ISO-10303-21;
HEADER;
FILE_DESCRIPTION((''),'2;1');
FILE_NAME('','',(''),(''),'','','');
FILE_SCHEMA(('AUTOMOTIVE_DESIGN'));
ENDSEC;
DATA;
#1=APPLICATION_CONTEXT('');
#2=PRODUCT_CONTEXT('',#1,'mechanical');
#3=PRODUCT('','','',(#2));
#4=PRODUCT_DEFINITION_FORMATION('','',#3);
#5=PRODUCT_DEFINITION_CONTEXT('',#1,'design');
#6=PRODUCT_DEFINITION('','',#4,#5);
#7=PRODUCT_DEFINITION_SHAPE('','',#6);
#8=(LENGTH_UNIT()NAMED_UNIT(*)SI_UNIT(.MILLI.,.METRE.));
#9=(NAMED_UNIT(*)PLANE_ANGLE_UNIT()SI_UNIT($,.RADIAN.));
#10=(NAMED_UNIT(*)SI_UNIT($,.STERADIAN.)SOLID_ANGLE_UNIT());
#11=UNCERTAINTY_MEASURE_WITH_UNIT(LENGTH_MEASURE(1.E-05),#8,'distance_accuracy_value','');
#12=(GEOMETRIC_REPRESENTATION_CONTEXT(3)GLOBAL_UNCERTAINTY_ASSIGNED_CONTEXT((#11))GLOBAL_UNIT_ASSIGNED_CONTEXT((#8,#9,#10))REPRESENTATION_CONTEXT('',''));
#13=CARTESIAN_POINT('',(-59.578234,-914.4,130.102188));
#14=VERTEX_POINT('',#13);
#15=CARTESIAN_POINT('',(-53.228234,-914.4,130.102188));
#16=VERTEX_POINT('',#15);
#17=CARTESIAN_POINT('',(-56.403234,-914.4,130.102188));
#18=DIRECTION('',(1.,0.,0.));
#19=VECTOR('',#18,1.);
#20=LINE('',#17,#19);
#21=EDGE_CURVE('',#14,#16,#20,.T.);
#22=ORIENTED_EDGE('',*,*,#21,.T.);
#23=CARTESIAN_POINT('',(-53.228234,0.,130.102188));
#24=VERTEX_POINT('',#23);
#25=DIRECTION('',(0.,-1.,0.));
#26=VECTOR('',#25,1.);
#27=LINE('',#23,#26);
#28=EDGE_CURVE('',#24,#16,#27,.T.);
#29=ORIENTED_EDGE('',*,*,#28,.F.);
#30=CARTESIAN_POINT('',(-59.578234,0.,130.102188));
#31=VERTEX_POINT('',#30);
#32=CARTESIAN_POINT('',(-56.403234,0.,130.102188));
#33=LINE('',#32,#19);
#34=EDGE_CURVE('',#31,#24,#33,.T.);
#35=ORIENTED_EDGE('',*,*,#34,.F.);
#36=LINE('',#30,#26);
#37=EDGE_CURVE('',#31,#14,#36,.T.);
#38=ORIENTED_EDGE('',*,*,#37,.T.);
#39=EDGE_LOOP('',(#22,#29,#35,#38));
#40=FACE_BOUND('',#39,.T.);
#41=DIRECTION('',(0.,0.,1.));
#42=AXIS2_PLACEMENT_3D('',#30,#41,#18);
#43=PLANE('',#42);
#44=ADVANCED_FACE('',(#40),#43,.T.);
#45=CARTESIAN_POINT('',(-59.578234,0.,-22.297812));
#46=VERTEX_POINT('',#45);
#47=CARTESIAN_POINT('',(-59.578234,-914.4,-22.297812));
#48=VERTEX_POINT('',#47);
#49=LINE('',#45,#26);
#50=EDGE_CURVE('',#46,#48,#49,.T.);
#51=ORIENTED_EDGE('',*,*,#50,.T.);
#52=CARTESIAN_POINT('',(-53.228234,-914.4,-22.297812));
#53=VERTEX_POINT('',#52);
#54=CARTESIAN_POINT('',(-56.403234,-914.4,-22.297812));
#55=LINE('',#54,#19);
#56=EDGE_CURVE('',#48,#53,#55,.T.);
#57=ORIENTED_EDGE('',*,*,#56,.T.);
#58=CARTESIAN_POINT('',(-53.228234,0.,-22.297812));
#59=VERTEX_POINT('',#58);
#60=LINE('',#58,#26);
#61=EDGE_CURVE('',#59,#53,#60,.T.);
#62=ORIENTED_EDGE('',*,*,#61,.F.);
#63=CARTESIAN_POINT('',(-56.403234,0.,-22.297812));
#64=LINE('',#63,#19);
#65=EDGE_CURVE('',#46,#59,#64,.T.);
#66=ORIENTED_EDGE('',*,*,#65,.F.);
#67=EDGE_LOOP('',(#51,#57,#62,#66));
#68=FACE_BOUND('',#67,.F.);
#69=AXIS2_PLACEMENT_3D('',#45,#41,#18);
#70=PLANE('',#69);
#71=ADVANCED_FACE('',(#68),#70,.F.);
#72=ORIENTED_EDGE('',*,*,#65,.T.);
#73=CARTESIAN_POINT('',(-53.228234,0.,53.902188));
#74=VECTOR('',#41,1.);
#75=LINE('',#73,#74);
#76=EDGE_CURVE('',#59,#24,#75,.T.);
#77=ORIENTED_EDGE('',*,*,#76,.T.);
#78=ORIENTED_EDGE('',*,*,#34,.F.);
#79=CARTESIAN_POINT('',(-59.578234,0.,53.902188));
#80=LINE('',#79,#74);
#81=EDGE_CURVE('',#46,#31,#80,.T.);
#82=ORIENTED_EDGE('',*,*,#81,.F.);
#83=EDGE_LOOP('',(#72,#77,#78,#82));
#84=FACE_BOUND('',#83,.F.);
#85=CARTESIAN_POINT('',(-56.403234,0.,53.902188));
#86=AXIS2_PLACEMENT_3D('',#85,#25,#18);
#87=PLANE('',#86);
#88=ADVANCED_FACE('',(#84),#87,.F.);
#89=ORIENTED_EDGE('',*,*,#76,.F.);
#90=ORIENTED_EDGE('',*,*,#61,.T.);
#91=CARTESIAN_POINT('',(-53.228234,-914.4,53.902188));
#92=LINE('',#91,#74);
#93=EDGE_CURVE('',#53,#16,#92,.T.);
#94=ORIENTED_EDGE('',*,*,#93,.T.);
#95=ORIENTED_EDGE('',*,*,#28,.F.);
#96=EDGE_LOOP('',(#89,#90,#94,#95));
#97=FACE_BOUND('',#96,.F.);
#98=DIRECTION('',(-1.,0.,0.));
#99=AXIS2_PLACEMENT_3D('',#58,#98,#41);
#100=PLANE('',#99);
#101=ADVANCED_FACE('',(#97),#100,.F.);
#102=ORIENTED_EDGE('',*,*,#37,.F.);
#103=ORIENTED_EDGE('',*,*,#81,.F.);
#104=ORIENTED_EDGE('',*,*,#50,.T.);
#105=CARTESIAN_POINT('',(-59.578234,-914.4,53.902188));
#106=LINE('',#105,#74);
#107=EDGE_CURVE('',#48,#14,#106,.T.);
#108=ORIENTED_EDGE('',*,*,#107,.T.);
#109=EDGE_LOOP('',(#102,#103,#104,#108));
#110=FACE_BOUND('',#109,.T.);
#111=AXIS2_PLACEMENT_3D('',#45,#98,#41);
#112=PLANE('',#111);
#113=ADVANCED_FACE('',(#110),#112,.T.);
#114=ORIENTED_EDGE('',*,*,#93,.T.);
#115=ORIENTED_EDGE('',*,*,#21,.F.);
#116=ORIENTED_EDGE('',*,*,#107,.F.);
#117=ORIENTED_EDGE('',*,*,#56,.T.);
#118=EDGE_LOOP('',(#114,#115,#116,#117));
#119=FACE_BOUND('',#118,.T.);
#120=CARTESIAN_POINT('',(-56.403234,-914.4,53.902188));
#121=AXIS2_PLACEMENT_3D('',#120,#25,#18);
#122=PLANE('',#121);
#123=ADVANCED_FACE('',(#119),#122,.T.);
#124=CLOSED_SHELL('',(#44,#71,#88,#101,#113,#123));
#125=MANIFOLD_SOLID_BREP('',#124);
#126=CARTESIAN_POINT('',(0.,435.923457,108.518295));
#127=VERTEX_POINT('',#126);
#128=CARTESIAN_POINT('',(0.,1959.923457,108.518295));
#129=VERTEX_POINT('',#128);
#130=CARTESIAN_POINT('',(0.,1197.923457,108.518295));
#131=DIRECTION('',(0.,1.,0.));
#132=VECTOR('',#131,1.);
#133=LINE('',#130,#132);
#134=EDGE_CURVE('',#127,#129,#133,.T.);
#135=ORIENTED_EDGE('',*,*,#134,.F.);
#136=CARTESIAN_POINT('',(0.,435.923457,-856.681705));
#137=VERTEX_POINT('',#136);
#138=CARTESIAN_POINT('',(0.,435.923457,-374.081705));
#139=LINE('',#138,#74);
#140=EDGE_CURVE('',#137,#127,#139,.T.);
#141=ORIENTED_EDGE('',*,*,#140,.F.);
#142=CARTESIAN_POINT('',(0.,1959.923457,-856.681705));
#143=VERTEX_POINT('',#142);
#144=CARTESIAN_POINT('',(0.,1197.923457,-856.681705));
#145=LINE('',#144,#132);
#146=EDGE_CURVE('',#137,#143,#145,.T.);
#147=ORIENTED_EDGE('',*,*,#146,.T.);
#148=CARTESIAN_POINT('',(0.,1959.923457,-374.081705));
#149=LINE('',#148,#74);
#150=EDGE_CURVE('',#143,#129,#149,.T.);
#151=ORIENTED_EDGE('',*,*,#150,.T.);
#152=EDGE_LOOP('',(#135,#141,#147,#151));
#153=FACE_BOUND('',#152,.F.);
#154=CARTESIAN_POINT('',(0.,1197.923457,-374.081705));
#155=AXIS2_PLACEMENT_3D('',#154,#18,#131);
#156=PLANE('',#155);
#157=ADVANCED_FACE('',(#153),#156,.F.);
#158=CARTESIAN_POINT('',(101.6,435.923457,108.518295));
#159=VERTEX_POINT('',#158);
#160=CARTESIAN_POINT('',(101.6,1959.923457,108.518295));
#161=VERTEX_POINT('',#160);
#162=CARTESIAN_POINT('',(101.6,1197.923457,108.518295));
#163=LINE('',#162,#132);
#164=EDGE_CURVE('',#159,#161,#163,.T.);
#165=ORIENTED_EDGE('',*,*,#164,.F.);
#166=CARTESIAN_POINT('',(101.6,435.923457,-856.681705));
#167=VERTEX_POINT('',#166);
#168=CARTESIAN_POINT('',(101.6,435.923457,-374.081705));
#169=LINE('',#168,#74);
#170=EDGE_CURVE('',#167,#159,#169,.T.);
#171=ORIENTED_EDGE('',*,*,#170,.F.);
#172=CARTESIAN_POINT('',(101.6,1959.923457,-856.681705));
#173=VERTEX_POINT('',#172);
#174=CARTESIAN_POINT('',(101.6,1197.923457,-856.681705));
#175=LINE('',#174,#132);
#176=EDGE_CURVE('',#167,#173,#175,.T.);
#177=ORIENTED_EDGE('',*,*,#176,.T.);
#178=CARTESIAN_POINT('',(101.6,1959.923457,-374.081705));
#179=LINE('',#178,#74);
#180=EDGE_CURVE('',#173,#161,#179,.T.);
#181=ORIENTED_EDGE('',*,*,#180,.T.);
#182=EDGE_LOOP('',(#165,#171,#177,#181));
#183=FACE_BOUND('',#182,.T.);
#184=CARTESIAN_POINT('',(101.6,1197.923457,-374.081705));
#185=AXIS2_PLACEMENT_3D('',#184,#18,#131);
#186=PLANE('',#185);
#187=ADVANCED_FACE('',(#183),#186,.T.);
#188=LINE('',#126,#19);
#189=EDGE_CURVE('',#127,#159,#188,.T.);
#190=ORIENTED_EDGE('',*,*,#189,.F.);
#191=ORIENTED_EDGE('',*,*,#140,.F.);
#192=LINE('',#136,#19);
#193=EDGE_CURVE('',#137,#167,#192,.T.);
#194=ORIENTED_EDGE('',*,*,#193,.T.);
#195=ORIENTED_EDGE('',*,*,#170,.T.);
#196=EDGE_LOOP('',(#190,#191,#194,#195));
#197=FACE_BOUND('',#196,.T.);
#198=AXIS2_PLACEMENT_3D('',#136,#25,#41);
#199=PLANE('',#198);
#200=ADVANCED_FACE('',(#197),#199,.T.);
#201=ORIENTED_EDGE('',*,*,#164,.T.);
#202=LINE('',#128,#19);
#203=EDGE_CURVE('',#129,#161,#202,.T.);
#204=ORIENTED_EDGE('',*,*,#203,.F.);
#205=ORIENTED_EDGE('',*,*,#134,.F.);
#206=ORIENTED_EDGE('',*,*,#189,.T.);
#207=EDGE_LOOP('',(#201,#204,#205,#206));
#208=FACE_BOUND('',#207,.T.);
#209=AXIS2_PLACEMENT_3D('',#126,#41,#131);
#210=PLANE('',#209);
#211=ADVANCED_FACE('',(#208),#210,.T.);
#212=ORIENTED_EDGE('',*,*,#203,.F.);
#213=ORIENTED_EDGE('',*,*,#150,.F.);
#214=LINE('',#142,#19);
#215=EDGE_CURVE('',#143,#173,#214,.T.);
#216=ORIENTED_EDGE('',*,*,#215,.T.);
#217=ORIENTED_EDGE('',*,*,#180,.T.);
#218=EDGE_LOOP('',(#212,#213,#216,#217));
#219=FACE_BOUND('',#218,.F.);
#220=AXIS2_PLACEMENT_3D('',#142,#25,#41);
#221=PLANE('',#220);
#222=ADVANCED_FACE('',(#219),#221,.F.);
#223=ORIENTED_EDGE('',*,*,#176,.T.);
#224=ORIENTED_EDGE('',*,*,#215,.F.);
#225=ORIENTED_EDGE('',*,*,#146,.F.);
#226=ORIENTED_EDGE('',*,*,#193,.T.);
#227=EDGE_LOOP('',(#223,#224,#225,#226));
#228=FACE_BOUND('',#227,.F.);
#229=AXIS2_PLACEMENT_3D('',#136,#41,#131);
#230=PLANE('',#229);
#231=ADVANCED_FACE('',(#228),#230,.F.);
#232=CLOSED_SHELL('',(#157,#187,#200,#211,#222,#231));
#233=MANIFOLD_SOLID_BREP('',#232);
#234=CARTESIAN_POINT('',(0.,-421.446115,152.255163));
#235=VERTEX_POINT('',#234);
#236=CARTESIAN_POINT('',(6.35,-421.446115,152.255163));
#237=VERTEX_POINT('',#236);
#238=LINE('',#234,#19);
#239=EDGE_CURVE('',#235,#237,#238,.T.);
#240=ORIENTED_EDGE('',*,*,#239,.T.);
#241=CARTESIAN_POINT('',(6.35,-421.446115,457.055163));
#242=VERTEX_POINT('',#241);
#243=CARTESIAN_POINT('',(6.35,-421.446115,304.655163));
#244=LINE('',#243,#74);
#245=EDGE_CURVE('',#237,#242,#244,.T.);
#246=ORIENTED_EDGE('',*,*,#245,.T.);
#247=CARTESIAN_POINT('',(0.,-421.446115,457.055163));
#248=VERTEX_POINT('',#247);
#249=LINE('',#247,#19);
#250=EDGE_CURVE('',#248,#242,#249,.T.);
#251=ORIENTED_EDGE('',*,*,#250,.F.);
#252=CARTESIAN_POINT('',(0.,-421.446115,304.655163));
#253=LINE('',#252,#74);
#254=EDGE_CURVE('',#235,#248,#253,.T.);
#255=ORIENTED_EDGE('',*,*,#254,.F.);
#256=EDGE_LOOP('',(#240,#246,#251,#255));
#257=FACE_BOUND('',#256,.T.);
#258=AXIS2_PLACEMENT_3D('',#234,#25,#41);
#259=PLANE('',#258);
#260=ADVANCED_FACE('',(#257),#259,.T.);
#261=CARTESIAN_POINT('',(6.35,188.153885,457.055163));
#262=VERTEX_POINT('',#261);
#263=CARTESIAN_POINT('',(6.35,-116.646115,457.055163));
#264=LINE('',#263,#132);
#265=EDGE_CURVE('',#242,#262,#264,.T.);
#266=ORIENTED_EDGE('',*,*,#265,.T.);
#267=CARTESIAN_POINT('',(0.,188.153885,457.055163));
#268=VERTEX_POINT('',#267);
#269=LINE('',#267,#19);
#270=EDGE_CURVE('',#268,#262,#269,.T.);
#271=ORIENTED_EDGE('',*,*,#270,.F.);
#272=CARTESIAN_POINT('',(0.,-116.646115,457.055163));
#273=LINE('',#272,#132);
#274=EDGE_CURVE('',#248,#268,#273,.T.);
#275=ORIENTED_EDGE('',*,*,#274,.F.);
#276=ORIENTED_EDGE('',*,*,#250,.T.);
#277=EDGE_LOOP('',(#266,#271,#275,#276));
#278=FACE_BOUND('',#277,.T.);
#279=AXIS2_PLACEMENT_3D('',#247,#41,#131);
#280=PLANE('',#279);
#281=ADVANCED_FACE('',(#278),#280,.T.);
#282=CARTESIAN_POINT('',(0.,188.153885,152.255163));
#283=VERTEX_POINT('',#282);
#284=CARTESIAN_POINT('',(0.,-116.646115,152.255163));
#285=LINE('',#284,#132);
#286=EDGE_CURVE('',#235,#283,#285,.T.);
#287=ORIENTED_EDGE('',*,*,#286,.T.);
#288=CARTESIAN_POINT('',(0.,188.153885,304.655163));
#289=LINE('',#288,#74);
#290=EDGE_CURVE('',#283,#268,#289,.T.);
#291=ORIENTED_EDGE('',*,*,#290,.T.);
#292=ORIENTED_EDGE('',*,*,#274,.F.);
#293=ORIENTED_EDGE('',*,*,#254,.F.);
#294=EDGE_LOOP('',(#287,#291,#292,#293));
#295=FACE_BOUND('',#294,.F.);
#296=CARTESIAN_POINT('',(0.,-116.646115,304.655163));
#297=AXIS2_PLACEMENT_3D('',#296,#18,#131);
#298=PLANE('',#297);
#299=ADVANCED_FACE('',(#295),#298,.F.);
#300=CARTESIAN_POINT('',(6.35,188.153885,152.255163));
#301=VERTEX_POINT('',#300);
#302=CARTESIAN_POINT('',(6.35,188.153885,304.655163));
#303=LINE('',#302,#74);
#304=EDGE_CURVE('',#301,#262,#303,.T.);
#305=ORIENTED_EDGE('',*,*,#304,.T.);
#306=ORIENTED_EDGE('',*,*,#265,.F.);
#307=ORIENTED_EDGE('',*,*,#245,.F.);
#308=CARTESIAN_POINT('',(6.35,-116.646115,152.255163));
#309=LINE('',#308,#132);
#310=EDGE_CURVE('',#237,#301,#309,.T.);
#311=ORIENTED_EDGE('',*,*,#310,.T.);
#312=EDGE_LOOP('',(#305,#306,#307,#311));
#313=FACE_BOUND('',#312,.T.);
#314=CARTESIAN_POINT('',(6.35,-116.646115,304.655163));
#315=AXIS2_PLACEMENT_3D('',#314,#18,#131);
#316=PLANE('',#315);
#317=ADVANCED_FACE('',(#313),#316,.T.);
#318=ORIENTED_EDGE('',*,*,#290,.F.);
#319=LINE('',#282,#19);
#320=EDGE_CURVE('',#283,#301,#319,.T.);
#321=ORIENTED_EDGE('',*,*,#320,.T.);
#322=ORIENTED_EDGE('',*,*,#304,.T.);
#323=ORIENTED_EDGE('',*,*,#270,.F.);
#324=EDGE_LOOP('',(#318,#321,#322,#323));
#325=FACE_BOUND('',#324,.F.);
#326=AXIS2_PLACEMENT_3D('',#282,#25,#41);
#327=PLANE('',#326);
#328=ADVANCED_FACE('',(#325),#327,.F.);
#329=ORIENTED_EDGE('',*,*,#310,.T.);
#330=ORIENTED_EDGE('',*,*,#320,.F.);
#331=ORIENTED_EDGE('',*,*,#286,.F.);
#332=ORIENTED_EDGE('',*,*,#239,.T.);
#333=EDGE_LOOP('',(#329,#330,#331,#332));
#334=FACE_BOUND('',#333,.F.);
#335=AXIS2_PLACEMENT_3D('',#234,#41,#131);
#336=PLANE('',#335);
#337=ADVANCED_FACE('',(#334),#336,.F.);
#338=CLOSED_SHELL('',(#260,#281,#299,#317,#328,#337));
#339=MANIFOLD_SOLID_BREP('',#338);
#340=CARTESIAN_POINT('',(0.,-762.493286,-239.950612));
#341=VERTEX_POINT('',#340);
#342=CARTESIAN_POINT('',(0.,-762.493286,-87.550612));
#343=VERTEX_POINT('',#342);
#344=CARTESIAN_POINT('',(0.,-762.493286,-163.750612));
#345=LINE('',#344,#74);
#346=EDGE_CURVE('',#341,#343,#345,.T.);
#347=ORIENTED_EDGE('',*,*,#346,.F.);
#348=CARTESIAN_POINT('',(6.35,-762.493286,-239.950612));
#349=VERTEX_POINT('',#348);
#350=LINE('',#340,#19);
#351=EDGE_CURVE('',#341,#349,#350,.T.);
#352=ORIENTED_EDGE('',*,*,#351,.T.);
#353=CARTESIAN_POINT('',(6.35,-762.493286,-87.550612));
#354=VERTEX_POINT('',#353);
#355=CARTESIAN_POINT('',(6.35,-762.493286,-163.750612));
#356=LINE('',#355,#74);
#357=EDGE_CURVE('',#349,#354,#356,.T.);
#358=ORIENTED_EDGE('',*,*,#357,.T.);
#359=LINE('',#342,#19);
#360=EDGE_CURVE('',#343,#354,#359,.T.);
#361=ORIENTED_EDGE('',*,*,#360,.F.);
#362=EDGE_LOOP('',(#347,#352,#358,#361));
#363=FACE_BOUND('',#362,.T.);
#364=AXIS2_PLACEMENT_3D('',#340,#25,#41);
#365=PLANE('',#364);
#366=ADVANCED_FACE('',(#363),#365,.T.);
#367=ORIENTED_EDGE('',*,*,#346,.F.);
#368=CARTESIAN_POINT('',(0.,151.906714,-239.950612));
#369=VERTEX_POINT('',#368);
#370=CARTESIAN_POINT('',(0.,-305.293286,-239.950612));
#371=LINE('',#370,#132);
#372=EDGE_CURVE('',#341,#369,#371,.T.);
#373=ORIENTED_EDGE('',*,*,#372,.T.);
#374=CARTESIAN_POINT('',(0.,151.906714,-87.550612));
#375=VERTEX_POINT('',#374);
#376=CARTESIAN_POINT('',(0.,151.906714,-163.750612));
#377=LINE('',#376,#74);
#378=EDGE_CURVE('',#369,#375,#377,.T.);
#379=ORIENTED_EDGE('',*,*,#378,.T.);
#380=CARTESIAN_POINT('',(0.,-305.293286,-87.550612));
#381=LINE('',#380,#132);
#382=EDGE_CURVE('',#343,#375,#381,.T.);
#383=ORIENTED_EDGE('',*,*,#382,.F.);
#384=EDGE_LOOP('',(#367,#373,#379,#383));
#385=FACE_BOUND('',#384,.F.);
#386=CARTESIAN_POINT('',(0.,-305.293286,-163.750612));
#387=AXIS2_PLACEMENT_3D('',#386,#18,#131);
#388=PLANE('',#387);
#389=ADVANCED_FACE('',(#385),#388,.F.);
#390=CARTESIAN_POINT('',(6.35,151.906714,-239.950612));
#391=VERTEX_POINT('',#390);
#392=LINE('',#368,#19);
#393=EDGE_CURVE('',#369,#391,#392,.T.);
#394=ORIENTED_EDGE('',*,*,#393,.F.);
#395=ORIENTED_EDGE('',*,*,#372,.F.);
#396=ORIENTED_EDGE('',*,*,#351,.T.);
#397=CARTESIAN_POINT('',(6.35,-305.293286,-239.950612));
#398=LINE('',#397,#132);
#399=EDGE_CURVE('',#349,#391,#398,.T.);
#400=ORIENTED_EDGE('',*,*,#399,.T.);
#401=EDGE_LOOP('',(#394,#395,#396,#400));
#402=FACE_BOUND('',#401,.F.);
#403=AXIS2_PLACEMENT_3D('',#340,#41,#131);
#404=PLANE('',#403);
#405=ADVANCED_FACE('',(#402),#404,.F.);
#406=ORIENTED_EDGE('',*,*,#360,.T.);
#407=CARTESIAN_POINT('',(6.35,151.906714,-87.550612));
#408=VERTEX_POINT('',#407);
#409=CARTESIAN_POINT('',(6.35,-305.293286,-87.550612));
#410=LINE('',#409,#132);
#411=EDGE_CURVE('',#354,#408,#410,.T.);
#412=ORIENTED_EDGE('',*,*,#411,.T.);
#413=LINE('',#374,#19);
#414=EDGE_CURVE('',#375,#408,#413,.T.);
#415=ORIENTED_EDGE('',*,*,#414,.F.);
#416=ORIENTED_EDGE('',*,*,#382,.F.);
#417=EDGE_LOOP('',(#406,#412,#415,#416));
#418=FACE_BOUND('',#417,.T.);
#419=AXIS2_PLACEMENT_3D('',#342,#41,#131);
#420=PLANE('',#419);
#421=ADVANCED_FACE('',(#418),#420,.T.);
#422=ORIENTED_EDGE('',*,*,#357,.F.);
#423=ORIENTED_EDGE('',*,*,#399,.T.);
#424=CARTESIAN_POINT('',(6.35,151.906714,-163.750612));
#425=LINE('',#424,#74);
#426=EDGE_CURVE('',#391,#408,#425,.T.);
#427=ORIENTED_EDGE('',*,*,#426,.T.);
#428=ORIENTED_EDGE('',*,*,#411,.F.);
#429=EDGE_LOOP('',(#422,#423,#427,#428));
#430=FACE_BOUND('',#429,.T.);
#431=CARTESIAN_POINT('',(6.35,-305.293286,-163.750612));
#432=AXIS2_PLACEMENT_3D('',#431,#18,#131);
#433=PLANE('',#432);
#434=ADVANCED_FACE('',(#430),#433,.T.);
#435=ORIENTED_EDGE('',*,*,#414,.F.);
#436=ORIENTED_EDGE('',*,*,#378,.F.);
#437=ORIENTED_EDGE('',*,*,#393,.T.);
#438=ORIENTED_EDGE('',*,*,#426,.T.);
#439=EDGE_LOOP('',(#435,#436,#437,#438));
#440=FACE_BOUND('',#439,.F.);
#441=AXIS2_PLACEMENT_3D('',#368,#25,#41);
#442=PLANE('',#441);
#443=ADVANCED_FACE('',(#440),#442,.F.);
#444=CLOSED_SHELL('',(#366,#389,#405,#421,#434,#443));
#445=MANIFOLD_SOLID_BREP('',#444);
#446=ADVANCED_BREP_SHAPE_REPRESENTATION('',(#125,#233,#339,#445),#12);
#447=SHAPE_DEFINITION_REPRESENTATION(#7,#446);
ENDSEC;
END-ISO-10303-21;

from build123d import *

# Parameters (mm, degrees)
F0_W     = 6.35
F0_H     = 152.4
F1_DEPTH = 914.4
F2_W     = 914.4
F2_H     = 152.4
F3_DEPTH = 6.35
F4_W     = 609.6
F4_H     = 304.8
F5_DEPTH = 6.35
F6_W     = 1524
F6_H     = 965.2
F7_DEPTH = 101.6


with BuildPart() as f1:
    # F0 (on Front) → F1 (new body)
    with BuildSketch(Plane.XZ):
        with Locations((-56.403234, 53.902188)):
            Rectangle(F0_W, F0_H)
    extrude(amount=F1_DEPTH)


with BuildPart() as f3:
    # F2 (on Right) → F3 (new body)
    with BuildSketch(Plane.YZ):
        with Locations((-305.293286, -163.750612)):
            Rectangle(F2_W, F2_H)
    extrude(amount=F3_DEPTH)


with BuildPart() as f5:
    # F4 (on Right) → F5 (new body)
    with BuildSketch(Plane.YZ):
        with Locations((-116.646115, 304.655163)):
            Rectangle(F4_W, F4_H)
    extrude(amount=F5_DEPTH)


with BuildPart() as f7:
    # F6 (on Right) → F7 (new body)
    with BuildSketch(Plane.YZ):
        with Locations((1197.923457, -374.081705)):
            Rectangle(F6_W, F6_H)
    extrude(amount=F7_DEPTH)


solid = Compound([f1.part, f3.part, f5.part, f7.part])
